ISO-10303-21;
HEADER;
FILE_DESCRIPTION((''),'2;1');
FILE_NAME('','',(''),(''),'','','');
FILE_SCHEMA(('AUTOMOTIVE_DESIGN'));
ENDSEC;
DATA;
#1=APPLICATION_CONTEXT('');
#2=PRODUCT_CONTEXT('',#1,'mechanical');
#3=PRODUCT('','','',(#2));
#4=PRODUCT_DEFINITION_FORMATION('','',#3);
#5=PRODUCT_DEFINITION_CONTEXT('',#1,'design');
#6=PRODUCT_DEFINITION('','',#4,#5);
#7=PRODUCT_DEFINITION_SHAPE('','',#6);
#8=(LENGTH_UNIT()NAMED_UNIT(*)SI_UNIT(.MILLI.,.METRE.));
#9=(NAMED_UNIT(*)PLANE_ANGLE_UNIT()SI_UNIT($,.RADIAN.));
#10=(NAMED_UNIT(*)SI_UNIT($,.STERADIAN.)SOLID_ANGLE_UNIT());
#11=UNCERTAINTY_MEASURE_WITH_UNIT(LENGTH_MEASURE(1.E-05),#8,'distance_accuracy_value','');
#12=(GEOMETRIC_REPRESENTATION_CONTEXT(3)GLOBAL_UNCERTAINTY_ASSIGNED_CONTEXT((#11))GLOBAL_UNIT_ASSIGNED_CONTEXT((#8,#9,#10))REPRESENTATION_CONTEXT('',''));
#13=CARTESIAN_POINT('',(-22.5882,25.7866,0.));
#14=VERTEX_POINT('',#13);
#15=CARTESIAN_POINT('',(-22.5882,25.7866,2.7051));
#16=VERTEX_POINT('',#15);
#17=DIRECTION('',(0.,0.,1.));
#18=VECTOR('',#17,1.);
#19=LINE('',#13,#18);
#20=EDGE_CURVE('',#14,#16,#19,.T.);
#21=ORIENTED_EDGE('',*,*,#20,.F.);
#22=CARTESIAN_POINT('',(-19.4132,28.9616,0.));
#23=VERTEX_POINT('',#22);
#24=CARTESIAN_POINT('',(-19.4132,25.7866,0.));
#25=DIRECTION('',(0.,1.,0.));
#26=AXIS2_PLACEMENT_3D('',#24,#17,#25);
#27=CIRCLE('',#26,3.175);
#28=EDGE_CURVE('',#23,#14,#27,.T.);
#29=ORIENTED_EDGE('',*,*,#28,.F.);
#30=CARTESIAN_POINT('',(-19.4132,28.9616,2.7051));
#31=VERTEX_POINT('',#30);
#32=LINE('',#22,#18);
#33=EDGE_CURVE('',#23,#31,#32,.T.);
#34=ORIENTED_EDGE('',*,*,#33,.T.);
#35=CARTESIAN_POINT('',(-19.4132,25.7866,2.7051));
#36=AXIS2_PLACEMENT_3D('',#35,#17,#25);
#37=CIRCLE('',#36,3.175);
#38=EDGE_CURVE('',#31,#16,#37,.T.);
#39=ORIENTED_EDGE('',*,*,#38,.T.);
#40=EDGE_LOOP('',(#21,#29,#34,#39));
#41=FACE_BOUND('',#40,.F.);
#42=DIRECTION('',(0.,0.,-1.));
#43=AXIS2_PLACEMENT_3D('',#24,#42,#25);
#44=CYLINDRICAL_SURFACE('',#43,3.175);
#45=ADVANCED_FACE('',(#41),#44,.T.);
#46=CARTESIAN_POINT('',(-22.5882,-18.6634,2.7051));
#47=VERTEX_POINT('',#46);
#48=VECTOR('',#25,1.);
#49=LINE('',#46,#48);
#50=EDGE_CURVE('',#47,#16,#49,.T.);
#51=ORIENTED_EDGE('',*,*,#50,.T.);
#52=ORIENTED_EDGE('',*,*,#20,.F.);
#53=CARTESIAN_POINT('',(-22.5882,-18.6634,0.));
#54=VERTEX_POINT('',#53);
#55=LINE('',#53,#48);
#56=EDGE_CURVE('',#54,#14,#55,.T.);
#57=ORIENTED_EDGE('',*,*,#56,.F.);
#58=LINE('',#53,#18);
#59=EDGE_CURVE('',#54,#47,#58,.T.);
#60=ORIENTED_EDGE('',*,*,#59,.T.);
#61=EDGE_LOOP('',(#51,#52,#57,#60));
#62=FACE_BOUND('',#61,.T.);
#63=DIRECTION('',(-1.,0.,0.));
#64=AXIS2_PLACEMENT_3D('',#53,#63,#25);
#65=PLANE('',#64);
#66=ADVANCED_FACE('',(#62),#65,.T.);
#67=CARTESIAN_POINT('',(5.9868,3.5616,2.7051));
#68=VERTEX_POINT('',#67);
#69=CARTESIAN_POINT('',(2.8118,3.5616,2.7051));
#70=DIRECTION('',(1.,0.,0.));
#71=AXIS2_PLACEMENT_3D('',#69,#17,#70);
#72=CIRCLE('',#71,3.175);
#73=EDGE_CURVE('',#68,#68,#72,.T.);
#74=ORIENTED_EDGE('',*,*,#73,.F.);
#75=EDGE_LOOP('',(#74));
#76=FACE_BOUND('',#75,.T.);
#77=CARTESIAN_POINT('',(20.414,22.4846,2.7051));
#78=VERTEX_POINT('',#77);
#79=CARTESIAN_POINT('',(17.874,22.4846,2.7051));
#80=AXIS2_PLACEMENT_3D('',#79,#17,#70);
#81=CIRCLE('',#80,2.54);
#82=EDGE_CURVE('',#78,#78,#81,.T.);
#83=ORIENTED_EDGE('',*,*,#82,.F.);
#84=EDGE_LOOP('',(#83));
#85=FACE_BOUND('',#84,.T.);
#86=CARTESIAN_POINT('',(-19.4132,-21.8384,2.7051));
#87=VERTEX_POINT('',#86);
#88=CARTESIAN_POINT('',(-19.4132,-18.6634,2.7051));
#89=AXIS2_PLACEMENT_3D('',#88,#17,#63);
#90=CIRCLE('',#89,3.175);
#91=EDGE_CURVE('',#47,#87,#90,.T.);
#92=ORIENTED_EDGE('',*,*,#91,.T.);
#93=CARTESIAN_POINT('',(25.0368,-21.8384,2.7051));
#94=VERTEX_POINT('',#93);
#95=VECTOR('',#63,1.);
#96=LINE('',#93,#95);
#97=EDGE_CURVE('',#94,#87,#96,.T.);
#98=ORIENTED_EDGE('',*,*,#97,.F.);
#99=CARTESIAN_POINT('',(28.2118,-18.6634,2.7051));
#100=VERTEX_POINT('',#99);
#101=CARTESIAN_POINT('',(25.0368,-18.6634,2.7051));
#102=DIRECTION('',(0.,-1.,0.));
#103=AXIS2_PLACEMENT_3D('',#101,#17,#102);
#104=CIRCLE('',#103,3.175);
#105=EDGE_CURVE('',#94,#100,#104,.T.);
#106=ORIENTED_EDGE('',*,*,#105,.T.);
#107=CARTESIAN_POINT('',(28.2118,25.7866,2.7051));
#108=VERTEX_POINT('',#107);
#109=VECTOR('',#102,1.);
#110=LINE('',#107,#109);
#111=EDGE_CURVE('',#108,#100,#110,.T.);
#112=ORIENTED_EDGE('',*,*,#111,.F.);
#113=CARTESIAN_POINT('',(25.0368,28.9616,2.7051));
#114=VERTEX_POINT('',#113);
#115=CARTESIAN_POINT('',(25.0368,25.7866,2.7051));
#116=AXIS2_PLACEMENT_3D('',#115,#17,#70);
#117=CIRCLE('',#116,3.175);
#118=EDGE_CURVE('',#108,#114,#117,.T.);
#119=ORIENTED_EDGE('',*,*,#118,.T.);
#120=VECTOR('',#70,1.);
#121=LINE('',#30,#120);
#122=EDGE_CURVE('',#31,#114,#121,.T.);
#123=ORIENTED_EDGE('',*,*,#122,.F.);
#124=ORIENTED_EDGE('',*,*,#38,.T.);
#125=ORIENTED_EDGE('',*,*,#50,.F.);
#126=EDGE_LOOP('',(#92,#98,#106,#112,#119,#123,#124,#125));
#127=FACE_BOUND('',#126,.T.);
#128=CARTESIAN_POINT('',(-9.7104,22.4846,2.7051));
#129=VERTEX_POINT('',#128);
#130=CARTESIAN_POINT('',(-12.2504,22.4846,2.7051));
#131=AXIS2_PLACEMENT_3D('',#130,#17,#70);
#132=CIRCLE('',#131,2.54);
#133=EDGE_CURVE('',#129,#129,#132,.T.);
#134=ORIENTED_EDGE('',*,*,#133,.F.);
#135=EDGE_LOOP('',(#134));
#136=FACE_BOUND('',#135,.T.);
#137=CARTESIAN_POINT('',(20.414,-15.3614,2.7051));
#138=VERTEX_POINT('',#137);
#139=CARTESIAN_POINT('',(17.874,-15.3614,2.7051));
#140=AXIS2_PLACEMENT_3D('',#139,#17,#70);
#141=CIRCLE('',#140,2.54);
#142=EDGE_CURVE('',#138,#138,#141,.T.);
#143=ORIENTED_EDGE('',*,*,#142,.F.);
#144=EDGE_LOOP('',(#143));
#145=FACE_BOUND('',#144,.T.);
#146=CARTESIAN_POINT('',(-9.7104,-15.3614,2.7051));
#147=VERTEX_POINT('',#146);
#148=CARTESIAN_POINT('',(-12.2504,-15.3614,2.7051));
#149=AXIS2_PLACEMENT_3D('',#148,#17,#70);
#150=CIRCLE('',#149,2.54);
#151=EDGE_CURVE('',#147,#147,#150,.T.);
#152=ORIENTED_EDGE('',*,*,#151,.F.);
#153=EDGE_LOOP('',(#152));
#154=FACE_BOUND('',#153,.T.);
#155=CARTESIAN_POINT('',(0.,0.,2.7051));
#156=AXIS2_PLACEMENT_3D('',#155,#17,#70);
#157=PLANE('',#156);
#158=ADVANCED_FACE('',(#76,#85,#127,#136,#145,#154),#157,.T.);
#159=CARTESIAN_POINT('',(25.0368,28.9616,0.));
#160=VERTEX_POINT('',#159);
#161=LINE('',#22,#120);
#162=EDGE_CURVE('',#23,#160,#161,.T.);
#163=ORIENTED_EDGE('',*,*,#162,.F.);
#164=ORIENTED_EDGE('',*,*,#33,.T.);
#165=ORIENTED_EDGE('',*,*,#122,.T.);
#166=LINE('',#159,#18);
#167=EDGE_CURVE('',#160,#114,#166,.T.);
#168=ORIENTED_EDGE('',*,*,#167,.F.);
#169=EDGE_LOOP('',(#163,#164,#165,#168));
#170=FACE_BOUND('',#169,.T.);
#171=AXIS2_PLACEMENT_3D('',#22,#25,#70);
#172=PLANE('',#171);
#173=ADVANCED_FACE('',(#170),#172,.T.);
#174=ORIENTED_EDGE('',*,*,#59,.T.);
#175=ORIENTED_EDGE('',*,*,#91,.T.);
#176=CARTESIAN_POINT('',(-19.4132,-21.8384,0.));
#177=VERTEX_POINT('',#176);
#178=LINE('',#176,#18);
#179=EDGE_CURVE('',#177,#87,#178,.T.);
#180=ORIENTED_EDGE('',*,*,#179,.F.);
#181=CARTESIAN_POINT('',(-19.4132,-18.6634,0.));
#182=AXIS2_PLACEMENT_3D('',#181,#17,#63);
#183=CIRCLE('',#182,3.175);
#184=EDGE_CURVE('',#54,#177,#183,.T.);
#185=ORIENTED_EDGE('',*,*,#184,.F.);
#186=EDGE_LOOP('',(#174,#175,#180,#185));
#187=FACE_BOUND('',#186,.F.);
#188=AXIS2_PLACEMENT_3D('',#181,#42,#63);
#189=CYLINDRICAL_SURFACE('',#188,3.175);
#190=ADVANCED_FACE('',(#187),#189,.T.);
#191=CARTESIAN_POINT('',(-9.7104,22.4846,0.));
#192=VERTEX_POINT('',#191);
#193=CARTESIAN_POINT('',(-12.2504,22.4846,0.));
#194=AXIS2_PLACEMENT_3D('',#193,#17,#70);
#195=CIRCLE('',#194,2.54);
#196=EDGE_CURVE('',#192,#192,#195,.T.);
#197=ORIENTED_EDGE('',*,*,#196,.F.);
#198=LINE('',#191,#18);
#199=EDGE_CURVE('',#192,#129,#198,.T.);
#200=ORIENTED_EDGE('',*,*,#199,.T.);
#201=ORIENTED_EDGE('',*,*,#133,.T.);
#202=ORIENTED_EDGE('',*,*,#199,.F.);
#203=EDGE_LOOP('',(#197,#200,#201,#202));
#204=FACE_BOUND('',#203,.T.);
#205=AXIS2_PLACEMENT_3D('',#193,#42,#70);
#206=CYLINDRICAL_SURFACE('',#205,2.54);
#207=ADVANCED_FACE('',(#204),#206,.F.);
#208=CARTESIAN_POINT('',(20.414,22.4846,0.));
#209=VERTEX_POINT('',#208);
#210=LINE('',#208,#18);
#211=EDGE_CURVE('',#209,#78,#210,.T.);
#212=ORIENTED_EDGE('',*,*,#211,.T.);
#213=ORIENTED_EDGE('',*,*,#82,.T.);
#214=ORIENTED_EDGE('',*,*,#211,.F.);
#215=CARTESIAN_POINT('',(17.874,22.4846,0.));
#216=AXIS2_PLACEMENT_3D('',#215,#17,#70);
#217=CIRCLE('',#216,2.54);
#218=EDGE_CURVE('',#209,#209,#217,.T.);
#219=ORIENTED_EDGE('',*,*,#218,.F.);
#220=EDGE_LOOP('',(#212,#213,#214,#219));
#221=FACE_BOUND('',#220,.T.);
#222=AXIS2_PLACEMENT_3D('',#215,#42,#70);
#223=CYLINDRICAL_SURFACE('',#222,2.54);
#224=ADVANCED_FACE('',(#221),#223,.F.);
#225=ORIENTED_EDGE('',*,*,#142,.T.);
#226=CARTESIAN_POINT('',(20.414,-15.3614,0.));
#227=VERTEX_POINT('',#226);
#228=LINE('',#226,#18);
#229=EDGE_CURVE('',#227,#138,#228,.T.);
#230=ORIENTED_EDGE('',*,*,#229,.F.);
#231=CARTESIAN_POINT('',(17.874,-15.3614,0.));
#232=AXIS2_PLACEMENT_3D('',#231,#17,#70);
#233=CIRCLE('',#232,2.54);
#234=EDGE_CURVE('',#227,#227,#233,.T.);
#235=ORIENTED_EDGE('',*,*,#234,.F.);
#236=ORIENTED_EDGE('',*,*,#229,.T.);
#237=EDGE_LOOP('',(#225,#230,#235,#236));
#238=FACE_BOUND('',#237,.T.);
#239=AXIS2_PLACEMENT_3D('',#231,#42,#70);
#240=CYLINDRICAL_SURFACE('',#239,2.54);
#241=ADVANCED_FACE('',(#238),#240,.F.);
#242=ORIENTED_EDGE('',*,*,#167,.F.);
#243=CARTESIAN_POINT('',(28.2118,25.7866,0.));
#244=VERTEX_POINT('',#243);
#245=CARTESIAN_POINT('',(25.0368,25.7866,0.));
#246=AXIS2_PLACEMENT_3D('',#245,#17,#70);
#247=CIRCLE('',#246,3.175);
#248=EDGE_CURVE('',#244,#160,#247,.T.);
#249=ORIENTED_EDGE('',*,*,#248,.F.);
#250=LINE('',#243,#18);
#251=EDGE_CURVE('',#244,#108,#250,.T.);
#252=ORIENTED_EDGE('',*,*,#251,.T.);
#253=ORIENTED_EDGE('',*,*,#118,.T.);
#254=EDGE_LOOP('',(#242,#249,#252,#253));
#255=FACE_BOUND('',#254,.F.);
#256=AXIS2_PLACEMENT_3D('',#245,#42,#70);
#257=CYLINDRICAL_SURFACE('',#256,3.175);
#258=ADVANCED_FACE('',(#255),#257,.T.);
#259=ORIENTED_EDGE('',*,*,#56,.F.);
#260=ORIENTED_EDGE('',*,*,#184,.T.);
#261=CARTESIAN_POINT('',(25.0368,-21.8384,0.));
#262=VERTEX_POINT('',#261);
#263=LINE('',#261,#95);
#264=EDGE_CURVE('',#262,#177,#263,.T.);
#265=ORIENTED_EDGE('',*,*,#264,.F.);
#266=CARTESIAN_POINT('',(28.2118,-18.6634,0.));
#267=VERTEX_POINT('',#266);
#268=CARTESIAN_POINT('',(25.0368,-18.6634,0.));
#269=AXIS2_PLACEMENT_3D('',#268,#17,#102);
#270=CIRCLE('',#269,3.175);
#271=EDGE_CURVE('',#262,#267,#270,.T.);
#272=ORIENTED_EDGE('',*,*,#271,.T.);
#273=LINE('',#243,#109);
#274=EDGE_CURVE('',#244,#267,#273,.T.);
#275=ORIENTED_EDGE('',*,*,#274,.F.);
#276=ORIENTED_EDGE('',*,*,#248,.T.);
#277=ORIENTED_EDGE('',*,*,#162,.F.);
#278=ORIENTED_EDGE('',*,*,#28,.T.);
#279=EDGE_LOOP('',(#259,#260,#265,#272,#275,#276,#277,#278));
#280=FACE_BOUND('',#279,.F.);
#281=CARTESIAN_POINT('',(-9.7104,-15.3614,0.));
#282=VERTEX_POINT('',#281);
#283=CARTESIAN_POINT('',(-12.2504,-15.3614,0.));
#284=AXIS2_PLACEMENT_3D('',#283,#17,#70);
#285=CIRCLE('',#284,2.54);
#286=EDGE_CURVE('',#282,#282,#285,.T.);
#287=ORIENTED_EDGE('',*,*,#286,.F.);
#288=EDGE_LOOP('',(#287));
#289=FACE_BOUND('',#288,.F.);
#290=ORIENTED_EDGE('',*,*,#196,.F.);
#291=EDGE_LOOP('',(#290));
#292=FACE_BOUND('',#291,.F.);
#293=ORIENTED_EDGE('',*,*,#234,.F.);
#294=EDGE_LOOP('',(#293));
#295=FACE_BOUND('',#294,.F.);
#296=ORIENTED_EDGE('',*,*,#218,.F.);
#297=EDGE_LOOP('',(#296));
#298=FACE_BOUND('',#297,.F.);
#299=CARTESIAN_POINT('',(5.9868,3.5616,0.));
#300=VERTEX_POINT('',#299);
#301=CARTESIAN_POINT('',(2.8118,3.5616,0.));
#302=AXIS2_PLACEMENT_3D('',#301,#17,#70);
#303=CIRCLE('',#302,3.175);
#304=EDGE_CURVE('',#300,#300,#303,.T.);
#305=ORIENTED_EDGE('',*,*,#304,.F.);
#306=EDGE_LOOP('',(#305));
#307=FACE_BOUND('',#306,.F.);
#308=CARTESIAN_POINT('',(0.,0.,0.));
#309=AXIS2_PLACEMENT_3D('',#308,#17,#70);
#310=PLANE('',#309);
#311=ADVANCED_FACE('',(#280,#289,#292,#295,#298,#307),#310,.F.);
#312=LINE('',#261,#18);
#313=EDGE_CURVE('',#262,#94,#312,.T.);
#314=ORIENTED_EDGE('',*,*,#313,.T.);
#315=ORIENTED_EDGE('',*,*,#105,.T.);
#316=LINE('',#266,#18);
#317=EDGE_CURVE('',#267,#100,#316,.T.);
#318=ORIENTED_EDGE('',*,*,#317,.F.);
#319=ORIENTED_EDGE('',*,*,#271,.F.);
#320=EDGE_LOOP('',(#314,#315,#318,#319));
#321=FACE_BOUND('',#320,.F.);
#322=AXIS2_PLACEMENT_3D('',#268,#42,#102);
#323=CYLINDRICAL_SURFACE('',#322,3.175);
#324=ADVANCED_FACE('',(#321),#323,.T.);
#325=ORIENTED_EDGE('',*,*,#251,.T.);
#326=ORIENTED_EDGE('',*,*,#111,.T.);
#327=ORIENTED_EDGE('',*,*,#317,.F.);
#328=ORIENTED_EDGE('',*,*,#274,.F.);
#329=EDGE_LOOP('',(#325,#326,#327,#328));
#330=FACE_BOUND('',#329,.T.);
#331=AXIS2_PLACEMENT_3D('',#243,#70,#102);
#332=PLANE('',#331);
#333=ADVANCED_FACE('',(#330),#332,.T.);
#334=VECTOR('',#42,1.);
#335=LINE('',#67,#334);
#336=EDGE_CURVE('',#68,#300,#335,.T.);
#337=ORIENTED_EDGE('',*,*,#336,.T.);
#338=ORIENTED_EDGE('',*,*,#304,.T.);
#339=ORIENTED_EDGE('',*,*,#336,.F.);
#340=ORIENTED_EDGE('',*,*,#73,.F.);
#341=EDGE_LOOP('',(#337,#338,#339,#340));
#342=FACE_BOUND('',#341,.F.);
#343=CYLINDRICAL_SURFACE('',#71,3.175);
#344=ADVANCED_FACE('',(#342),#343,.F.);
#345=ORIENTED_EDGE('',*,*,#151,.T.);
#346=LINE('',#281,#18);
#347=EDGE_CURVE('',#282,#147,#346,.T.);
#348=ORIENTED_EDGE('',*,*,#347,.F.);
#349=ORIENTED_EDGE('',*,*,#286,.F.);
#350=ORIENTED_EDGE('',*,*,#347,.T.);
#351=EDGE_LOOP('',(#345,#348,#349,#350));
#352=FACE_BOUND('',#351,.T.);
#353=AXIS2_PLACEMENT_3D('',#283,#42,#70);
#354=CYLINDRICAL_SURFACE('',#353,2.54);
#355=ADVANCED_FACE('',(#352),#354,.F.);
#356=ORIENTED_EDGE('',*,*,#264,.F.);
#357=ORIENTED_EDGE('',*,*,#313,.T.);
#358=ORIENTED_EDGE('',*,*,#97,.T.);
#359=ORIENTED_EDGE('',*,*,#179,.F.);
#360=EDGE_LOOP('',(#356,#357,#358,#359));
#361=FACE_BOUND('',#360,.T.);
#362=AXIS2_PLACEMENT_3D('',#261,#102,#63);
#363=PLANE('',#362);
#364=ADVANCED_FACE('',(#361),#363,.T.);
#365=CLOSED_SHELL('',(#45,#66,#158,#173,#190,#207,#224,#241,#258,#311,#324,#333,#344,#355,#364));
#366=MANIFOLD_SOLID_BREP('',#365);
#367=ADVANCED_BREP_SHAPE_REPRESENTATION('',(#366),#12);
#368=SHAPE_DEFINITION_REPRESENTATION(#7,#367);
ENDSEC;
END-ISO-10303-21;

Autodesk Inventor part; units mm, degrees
ref_plane "YZ Plane" through (0, 0, 0) normal (1, 0, 0) x (0, 1, 0)
ref_plane "XZ Plane" through (0, 0, 0) normal (0, 1, 0) x (-1, 0, 0)
ref_plane "XY Plane" through (0, 0, 0) normal (0, 0, 1) x (1, 0, 0)
sketch "Sketch1" plane through (0, 0, 0) normal (0, 0, 1) x (1, 0, 0)
  line L0 (-19.4132, 28.9616) -> (25.0368, 28.9616)
  line L1 (28.2118, 25.7866) -> (28.2118, -18.6634)
  line L2 (25.0368, -21.8384) -> (-19.4132, -21.8384)
  line L3 (-22.5882, -18.6634) -> (-22.5882, 25.7866)
  circle A0 centre (-12.2504, 22.4846) radius 2.54
  circle A1 centre (17.874, 22.4846) radius 2.54
  circle A2 centre (17.874, -15.3614) radius 2.54
  circle A3 centre (-12.2504, -15.3614) radius 2.54
  arc A4 (-19.4132, 28.9616) -> (-22.5882, 25.7866) centre (-19.4132, 25.7866) ccw
  arc A5 (28.2118, 25.7866) -> (25.0368, 28.9616) centre (25.0368, 25.7866) ccw
  arc A6 (25.0368, -21.8384) -> (28.2118, -18.6634) centre (25.0368, -18.6634) ccw
  arc A7 (-22.5882, -18.6634) -> (-19.4132, -21.8384) centre (-19.4132, -18.6634) ccw
  point P0 (0, 0)
  point P1 (28.2118, -21.8384)
  point P2 (28.2118, 28.9616)
  point P3 (-22.5882, -21.8384)
  dimension "d0" = 50.8
  dimension "d1" = 50.8
  dimension "d2" = 5.08
  dimension "d3" = 5.08
  dimension "d4" = 5.08
  dimension "d5" = 5.08
  dimension "d6" = 37.846
  dimension "d9" = 30.1244
  dimension "d10" = 30.1244
  dimension "d11" = 10.3378
  dimension "d12" = 10.3378
  dimension "d13" = 37.846
  dimension "d14" = 6.477
  dimension "d15" = 6.477
  dimension "d16" = 6.477
  dimension "d17" = 6.477
  dimension "d18" = 3.175
extrude "Extrusion1" add sketch "Sketch1" along normal blind 2.7051
sketch "Sketch3" plane through (0, 0, 2.7051) normal (0, 0, 1) x (1, 0, 0)
  circle A0 centre (2.8118, 3.5616) radius 9.0805 projected
  circle A1 centre (2.8118, 3.5616) radius 3.175
  point P0 (0, 0)
  dimension "d35" = 6.35
extrude "Extrusion3" cut sketch "Sketch3" against normal blind 25.4 contours A1
properties part number "back plate" material "PPS Plastic"
